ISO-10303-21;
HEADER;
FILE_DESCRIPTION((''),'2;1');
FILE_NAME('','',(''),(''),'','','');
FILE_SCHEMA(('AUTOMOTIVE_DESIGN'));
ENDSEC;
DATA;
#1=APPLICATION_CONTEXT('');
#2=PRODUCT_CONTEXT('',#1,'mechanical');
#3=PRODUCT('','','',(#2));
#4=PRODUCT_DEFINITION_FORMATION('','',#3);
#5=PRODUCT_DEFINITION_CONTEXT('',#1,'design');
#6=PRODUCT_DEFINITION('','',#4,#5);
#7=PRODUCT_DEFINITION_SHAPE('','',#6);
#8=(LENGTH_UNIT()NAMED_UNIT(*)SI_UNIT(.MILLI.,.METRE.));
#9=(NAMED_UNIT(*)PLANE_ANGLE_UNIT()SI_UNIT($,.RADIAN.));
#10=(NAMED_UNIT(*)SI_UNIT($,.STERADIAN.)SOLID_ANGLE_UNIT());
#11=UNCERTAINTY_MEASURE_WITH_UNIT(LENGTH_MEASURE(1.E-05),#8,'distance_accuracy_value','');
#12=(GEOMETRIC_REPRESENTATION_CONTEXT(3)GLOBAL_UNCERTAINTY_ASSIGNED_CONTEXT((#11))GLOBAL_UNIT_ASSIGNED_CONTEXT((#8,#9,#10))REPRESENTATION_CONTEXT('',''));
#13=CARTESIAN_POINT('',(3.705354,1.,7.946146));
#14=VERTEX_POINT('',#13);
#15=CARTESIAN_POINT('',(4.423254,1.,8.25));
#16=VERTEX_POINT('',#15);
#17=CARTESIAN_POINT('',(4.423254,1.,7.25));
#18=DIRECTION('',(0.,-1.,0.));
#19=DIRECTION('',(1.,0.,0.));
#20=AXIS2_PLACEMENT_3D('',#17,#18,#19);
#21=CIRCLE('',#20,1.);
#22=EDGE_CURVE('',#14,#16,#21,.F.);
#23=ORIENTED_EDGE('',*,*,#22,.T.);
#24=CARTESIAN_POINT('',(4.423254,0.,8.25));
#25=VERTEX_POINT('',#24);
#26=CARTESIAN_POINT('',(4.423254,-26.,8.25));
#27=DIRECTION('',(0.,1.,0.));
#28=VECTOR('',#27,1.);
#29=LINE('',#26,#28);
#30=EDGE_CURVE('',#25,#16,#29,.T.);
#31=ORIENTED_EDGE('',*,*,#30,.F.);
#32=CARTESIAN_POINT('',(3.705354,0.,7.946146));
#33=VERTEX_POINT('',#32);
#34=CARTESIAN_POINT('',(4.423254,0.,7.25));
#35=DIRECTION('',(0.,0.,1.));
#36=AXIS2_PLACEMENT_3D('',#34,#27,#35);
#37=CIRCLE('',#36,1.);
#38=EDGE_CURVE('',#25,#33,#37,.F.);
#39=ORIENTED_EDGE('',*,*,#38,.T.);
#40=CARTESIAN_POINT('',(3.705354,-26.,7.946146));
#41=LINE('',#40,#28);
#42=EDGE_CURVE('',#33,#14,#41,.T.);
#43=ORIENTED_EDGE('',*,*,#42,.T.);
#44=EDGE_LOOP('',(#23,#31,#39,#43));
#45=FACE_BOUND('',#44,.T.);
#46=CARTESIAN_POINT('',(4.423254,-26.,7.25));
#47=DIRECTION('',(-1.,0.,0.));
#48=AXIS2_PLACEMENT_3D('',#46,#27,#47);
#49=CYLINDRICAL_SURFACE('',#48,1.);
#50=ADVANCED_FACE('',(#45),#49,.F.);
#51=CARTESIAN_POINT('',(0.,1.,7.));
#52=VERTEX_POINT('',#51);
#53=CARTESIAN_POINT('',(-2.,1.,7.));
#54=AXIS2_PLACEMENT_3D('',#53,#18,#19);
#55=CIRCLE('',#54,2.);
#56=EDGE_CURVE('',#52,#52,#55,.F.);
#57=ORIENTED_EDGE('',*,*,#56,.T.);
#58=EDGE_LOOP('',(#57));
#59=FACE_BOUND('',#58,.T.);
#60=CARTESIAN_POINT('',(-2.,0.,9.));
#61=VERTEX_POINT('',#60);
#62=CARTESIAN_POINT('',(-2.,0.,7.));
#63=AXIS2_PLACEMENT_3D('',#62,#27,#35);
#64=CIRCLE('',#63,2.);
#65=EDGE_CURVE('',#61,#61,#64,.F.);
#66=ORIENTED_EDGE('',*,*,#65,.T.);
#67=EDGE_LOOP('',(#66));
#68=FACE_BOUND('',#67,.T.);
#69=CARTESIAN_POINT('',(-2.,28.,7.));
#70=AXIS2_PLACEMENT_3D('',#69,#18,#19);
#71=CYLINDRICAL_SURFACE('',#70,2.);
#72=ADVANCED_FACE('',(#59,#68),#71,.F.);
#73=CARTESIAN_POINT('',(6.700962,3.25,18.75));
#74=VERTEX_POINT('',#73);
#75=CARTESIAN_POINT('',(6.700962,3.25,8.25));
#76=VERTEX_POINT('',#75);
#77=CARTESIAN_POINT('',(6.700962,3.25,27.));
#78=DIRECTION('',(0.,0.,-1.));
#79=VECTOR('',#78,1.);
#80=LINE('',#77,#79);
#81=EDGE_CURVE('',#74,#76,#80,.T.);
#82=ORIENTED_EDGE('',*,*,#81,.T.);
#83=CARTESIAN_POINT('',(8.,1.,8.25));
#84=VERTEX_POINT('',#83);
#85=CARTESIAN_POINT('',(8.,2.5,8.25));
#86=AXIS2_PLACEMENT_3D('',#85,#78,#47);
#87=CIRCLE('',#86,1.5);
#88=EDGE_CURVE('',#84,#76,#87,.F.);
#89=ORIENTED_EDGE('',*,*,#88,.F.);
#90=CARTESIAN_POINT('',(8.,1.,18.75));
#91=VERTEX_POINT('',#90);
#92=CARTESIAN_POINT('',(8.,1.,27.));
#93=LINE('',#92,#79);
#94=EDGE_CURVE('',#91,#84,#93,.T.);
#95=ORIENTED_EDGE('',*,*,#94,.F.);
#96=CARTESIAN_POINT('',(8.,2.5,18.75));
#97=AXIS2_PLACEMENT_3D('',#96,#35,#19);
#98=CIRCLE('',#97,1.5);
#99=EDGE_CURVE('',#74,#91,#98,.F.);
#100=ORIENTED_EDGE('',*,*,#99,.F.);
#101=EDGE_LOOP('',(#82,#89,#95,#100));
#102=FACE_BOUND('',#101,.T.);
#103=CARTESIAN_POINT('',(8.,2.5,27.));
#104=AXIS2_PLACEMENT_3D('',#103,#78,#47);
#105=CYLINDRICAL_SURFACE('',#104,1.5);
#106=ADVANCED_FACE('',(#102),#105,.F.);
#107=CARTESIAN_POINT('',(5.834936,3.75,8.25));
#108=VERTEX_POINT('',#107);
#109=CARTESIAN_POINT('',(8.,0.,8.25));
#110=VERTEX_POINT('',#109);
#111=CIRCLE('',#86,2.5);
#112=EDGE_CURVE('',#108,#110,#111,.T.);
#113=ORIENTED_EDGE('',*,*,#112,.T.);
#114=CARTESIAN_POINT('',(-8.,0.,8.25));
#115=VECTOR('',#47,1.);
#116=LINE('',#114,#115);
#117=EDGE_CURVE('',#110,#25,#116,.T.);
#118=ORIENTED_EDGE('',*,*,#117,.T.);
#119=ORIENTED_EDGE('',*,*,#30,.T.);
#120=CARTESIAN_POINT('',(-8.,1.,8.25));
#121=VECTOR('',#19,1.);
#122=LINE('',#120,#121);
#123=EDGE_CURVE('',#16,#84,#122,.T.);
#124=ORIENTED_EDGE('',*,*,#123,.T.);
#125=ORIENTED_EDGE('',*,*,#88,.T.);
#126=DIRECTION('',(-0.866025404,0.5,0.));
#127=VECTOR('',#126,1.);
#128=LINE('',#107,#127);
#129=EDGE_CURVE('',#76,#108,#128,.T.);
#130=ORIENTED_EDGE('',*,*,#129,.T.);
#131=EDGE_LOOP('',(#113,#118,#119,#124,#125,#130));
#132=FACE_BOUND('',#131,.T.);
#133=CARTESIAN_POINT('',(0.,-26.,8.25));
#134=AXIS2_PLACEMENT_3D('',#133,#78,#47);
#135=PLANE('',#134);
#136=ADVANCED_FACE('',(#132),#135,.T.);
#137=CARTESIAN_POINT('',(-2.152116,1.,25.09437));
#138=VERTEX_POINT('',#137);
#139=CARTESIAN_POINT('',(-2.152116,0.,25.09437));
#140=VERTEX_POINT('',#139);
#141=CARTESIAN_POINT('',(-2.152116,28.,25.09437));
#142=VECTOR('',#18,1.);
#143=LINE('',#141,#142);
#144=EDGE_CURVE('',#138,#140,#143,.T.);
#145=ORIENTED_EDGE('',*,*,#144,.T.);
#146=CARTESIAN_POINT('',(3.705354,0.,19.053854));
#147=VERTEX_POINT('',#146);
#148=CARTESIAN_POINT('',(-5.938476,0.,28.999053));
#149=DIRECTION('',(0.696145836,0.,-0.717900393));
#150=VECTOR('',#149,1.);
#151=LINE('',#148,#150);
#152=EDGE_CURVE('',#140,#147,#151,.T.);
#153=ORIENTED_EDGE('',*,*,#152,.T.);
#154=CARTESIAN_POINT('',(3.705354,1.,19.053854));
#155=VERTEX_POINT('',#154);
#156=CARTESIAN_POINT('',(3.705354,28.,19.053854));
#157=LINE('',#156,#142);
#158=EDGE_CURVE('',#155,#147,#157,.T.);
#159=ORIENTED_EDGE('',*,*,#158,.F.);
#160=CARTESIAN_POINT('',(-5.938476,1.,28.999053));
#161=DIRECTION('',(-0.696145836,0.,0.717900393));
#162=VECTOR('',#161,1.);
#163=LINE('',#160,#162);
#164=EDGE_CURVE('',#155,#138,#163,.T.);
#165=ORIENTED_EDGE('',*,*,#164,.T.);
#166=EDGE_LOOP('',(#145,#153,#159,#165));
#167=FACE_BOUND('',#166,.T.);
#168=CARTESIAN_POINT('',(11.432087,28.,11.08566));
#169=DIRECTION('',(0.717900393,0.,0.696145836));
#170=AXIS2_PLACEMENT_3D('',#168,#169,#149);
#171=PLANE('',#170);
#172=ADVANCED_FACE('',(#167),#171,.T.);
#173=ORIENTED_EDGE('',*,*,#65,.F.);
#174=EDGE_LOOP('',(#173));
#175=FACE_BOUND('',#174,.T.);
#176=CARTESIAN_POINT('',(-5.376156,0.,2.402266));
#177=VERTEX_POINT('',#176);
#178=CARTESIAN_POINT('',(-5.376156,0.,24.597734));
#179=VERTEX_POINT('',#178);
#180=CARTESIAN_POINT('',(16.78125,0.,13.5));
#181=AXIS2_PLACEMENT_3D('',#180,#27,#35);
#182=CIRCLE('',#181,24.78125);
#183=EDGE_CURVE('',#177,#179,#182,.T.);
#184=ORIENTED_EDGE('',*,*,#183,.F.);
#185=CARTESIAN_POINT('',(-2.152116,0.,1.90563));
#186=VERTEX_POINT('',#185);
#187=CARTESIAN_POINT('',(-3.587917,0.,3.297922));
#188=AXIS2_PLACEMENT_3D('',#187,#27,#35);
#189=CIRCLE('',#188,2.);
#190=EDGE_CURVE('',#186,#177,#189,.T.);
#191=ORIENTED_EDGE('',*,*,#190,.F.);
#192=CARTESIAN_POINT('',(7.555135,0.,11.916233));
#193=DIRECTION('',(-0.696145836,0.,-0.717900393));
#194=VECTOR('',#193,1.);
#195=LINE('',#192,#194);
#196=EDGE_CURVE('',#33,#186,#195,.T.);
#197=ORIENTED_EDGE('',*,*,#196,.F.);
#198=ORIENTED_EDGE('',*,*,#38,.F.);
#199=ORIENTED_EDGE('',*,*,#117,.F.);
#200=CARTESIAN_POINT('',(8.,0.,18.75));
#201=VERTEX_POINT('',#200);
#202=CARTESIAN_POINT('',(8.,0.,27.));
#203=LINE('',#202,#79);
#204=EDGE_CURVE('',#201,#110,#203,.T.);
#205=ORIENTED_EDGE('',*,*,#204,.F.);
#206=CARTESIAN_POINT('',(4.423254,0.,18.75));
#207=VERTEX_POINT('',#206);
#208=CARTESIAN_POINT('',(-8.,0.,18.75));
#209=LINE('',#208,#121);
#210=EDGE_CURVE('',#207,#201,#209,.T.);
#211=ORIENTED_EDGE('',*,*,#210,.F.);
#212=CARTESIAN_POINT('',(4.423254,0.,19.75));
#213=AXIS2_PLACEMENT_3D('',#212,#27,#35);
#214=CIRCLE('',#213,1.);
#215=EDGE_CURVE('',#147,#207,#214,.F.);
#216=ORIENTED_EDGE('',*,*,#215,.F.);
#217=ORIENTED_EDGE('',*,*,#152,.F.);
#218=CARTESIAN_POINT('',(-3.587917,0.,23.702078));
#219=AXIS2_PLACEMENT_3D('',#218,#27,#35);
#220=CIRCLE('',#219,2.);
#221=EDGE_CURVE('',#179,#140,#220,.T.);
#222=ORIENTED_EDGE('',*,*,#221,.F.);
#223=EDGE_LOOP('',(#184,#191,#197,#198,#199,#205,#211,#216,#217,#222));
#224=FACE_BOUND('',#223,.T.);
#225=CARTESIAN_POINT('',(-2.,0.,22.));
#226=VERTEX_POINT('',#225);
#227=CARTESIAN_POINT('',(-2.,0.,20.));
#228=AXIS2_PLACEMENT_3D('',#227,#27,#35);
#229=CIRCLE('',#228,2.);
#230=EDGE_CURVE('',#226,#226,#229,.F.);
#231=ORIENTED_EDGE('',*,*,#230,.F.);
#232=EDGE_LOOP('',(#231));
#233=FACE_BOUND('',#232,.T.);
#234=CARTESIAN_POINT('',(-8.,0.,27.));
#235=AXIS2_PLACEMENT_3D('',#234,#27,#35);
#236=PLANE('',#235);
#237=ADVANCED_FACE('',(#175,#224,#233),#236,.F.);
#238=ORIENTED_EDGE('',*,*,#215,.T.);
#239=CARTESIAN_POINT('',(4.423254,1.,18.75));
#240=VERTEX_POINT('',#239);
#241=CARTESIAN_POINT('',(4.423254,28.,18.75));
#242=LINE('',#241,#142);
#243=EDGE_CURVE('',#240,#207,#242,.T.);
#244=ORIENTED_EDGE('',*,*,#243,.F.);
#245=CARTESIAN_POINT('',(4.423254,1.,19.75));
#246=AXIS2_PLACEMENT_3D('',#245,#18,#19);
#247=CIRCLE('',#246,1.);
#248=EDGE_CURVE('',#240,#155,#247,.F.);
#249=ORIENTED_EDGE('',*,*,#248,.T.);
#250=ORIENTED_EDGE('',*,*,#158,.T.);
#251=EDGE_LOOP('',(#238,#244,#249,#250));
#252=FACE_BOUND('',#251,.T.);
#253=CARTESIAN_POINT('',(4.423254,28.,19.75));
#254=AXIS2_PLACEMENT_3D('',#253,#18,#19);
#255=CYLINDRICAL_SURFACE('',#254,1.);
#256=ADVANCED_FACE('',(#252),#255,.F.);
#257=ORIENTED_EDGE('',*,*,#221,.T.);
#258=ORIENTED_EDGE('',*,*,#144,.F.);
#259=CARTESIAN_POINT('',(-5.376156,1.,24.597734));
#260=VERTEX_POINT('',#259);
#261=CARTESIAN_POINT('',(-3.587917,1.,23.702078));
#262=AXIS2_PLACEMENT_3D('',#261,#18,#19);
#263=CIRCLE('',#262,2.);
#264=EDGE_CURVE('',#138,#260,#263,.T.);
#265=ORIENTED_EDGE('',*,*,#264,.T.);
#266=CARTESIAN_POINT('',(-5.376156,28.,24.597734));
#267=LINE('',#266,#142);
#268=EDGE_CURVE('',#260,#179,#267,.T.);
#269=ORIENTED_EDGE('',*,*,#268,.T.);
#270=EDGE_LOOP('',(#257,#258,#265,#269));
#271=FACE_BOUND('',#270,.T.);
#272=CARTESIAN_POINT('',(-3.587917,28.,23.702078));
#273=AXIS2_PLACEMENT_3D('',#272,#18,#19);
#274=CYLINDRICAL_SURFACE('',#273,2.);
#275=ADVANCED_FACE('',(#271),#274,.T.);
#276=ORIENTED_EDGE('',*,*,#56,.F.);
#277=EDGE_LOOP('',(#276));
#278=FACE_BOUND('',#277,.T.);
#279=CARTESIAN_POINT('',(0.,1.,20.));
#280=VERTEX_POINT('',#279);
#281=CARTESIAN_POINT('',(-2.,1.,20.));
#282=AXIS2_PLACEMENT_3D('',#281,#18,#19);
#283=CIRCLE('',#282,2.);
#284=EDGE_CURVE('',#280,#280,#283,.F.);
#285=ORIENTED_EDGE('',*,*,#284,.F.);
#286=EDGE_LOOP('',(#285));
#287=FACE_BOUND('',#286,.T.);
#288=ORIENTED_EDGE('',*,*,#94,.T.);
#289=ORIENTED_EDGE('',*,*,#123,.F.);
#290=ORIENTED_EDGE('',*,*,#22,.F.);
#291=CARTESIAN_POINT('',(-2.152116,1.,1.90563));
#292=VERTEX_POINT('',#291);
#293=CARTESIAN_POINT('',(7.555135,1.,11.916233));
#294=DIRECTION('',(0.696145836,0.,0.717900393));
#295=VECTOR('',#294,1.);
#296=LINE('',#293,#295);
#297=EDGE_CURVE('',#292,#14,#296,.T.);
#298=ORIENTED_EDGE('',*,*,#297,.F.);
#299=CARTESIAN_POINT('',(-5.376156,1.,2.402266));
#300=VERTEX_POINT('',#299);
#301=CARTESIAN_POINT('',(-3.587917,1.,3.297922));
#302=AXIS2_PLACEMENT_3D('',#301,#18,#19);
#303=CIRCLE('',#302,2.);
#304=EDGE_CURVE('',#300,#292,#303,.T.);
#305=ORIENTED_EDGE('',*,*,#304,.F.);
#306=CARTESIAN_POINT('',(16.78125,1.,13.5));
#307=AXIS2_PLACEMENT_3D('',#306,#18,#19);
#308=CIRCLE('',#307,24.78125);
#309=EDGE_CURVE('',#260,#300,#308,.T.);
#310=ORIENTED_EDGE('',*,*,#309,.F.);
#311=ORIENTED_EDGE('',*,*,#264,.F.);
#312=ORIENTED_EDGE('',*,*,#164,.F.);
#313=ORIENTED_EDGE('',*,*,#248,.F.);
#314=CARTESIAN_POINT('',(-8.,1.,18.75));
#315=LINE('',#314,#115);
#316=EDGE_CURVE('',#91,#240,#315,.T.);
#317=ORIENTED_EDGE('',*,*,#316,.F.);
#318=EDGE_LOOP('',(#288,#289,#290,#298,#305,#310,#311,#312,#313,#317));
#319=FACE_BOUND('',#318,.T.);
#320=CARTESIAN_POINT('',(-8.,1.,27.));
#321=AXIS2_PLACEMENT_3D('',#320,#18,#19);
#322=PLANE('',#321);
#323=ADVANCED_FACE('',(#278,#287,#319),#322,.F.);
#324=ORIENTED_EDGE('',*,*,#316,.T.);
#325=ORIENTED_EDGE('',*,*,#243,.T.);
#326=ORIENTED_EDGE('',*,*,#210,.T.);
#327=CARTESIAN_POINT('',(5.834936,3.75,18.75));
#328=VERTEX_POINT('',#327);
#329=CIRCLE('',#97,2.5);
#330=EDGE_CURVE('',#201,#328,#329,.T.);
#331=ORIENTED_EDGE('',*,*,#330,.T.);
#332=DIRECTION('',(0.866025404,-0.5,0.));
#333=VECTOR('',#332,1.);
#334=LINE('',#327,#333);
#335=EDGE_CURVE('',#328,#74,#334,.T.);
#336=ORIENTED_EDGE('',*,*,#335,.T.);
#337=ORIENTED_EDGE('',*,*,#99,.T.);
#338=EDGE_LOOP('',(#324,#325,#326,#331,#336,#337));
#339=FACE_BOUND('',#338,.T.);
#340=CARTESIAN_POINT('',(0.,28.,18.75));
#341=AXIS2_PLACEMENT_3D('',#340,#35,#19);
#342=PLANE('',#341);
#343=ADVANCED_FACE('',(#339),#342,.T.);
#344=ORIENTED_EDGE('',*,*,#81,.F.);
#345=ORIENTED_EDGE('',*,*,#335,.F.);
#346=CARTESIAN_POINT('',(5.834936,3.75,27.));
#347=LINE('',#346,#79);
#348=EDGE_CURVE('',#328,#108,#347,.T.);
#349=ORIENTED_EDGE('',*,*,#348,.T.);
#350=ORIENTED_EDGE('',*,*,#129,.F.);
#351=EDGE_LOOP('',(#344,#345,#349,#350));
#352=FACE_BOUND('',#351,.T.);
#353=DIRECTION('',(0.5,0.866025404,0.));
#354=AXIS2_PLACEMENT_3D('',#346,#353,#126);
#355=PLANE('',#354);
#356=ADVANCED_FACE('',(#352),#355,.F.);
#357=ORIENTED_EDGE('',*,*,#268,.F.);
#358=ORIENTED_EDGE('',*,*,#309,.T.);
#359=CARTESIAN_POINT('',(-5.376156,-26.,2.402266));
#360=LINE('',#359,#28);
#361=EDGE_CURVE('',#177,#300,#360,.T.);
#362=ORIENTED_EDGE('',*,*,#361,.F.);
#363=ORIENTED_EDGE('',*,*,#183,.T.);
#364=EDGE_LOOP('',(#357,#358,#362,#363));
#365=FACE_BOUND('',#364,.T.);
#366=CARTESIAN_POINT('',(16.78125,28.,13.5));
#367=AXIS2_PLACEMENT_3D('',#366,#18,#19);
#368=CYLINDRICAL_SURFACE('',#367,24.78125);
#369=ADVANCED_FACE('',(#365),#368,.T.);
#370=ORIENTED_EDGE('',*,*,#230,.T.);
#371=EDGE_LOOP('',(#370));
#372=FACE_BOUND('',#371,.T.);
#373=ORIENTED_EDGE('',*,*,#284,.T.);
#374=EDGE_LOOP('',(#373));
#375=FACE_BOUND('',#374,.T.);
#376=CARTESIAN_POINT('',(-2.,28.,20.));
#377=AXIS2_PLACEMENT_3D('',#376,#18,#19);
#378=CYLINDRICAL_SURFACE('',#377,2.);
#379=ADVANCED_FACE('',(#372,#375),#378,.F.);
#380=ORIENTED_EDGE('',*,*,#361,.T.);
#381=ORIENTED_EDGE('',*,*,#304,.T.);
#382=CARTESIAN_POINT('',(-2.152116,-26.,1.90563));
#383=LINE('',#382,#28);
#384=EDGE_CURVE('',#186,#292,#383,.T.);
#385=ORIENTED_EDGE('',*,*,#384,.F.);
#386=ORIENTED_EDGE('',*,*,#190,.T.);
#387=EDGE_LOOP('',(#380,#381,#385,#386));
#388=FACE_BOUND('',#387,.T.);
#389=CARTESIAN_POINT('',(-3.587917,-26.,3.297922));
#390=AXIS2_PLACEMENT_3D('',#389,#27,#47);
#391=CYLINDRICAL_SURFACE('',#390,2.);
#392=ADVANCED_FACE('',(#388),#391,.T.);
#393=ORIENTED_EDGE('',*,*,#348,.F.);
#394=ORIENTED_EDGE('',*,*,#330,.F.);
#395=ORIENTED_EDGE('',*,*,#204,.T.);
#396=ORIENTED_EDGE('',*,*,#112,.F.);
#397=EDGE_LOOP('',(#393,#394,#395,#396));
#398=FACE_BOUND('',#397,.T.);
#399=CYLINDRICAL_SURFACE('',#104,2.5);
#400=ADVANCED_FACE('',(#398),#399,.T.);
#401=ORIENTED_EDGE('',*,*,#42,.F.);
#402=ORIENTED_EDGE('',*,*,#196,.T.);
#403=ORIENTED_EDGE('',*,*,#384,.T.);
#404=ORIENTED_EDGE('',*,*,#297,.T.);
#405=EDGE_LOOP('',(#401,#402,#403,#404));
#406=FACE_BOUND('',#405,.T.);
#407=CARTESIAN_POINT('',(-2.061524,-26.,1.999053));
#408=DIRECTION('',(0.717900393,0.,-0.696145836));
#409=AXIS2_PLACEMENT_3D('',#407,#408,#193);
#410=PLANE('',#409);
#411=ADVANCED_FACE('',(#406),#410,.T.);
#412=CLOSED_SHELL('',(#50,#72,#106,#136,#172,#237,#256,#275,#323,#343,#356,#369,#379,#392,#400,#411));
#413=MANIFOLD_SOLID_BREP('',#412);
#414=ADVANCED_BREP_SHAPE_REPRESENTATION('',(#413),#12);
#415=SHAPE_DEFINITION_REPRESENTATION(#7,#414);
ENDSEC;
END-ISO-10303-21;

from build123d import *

# Parameters (mm, degrees)
ESTRUSIONE_ESTRUSIONE1_DEPTH  = 27
TAGLIO_ESTRUSIONE1_DEPTH      = 27
TAGLIO_ESTRUSIONE1_DEPTH_BACK = 27
SCHIZZO2_R                    = 2


with BuildPart() as part:
    # Schizzo1 → Estrusione-Estrusione1 (new body)
    with BuildSketch(Plane.XY):
        with BuildLine():
            Line((-8, 1), (8, 1))
            ThreePointArc((8, 1), (9.299038106, 3.25), (6.700961894, 3.25))
            Line((6.700961894, 3.25), (5.834936491, 3.75))
            ThreePointArc((5.834936491, 3.75), (10.165063509, 3.75), (8, 0))
            Line((8, 0), (-8, 0))
            Line((-8, 0), (-8, 1))
        make_face()
    extrude(amount=ESTRUSIONE_ESTRUSIONE1_DEPTH)

    # Schizzo2 → Taglio-Estrusione1 (cut, two sides: drawn at the far end of the back side and taken through both)
    with BuildSketch(Plane(origin=(0, 1, 0), x_dir=(1, 0, 0), z_dir=(0, 1, 0)).offset(-TAGLIO_ESTRUSIONE1_DEPTH_BACK)):
        with BuildLine():
            Line((12, -8.25), (12, 0))
            Line((12, 0), (-8, 0))
            Line((-8, 0), (-8, -13.5))
            ThreePointArc((-8, -13.5), (-7.335119746, -7.798152768), (-5.37615642, -2.402266344))
            ThreePointArc((-5.37615642, -2.402266344), (-3.892408367, -1.321236694), (-2.152116023, -1.905630351))
            Line((-2.152116023, -1.905630351), (3.705353538, -7.946145836))
            ThreePointArc((3.705353538, -7.946145836), (4.033475684, -8.170908746), (4.423253931, -8.25))
            Line((4.423253931, -8.25), (12, -8.25))
        make_face()
        with BuildLine():
            Line((-8, -27), (12, -27))
            Line((12, -27), (12, -18.75))
            Line((12, -18.75), (4.423253931, -18.75))
            ThreePointArc((4.423253931, -18.75), (4.033475684, -18.829091254), (3.705353538, -19.053854164))
            Line((3.705353538, -19.053854164), (-2.152116023, -25.094369649))
            ThreePointArc((-2.152116023, -25.094369649), (-3.892408367, -25.678763306), (-5.37615642, -24.597733656))
            ThreePointArc((-5.37615642, -24.597733656), (-7.335119746, -19.201847232), (-8, -13.5))
            Line((-8, -13.5), (-8, -27))
        make_face()
        with Locations((-2, -7)):
            Circle(SCHIZZO2_R)
        with Locations((-2, -20)):
            Circle(SCHIZZO2_R)
    extrude(amount=TAGLIO_ESTRUSIONE1_DEPTH + TAGLIO_ESTRUSIONE1_DEPTH_BACK, mode=Mode.SUBTRACT)


solid = part.part
